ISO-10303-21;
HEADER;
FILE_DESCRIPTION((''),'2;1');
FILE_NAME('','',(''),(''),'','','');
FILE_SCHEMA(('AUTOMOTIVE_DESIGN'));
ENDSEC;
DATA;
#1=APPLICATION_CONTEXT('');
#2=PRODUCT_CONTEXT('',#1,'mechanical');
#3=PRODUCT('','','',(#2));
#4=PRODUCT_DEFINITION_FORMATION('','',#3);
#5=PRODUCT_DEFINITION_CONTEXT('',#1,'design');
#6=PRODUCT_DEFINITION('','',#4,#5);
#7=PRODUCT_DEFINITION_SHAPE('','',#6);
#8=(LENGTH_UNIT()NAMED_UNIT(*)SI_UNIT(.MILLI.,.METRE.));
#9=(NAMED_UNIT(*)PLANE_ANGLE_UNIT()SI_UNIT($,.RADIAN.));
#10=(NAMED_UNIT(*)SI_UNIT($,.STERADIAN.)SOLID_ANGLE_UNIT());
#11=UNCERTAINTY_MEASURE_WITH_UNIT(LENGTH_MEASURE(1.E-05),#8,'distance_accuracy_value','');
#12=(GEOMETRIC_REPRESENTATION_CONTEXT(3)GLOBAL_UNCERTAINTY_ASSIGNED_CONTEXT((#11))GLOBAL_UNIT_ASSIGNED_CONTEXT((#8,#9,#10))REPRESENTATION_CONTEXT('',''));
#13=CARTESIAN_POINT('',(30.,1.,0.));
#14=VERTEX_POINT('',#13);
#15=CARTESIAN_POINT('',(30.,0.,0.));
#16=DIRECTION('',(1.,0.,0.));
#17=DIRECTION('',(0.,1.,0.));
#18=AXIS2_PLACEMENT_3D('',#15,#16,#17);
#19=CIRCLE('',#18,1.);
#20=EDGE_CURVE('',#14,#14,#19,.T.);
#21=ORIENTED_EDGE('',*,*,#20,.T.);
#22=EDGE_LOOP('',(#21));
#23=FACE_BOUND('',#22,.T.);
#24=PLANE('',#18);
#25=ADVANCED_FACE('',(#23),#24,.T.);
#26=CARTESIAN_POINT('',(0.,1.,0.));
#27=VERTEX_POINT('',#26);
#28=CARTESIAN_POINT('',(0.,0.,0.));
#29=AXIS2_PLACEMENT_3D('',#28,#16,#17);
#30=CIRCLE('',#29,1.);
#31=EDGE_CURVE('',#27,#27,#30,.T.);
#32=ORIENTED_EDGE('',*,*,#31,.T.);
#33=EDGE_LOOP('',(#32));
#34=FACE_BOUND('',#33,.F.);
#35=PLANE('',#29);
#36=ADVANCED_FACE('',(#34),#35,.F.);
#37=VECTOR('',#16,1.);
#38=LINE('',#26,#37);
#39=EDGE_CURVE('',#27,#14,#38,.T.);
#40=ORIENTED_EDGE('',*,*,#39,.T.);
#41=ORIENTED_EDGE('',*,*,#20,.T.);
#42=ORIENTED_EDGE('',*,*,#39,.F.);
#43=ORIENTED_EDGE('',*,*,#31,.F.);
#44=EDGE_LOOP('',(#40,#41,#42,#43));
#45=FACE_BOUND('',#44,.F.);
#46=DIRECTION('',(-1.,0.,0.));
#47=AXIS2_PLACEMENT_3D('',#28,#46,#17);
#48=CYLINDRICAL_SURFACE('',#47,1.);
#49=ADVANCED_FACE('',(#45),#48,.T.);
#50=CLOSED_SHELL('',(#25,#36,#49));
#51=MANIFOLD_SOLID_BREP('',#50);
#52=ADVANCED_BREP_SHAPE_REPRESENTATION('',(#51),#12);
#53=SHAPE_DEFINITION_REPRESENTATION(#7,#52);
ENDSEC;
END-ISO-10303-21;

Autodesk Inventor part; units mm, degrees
ref_plane "YZ Plane" through (0, 0, 0) normal (1, 0, 0) x (0, 1, 0)
ref_plane "XZ Plane" through (0, 0, 0) normal (0, 1, 0) x (-1, 0, 0)
ref_plane "XY Plane" through (0, 0, 0) normal (0, 0, 1) x (1, 0, 0)
sketch "Skizze1" plane through (0, 0, 0) normal (1, 0, 0) x (0, 1, 0)
  circle A0 centre (0, 0) radius 1
  dimension "d0" = 2
extrude "Extrusion1" add sketch "Skizze1" along normal blind 30
properties part number "Stift"
